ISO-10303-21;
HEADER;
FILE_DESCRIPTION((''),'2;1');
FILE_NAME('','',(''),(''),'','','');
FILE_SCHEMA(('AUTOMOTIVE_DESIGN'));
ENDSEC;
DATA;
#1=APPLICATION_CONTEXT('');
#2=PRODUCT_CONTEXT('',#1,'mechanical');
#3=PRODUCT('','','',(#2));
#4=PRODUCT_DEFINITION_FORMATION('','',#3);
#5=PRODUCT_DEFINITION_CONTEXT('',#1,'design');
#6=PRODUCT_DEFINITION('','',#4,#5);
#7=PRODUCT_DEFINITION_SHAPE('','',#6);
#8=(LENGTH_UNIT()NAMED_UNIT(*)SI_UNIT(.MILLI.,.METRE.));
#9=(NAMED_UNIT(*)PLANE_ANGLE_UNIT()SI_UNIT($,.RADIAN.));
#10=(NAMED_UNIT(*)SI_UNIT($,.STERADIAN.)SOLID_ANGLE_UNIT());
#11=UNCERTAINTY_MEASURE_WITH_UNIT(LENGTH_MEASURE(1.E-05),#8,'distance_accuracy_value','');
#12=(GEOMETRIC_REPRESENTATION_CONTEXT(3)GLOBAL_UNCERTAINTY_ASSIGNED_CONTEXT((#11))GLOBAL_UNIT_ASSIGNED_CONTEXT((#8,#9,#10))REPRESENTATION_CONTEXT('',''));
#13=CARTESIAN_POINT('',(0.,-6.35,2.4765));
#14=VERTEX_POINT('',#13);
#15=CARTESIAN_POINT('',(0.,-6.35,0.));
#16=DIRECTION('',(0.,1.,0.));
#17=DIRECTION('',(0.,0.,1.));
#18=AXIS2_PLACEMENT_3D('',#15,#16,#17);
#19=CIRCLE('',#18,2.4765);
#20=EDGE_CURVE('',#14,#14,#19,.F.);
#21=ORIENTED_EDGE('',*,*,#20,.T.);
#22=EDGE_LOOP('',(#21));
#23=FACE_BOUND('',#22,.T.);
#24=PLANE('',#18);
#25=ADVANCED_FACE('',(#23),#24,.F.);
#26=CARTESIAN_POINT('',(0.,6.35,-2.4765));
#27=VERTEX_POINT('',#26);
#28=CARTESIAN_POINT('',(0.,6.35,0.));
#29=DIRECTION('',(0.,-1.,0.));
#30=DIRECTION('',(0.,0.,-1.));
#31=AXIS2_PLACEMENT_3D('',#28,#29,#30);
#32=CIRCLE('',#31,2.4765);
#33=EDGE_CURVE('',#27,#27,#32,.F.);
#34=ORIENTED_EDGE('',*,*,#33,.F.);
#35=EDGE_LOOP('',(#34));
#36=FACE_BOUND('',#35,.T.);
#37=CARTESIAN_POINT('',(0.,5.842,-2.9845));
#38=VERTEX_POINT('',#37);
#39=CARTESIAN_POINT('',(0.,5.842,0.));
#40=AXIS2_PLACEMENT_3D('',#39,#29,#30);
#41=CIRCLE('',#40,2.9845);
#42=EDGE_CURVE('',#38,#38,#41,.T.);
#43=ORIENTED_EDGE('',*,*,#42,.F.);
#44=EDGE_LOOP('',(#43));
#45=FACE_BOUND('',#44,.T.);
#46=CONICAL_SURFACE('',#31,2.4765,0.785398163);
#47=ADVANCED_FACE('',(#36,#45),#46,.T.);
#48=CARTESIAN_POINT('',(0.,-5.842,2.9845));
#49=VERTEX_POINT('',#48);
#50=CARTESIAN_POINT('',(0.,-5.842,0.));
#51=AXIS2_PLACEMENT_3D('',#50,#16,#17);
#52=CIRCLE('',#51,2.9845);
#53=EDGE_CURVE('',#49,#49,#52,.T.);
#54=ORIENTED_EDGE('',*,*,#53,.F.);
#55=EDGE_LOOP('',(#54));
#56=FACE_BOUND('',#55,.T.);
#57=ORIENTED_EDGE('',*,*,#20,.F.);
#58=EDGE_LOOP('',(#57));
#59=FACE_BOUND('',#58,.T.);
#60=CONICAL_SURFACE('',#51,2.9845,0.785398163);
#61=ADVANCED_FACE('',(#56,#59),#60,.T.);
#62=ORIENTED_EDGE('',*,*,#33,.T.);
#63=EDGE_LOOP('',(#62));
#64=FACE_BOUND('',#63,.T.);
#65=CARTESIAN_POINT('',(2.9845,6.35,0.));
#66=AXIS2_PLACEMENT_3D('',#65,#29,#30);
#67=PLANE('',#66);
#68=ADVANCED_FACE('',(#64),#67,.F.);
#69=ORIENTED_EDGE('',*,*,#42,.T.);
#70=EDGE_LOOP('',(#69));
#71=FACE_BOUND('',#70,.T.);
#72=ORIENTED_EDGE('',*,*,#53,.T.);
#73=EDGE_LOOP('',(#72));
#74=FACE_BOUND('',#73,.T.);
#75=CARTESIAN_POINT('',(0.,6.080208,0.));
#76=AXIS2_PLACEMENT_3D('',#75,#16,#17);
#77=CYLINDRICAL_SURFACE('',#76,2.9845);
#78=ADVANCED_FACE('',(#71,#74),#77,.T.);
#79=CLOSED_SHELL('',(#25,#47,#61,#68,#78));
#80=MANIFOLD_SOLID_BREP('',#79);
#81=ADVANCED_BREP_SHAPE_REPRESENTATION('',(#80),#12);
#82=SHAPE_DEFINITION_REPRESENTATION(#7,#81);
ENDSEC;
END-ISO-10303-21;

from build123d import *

# Parameters (mm, degrees)
SKETCH1_W     = 2.9845
SKETCH1_H     = 12.7
CHAMFER1_SIZE = 0.508


with BuildPart() as part:
    # Sketch1 → Revolve1 (revolve)
    with BuildSketch(Plane.XY):
        with Locations((1.49225, 0)):
            Rectangle(SKETCH1_W, SKETCH1_H)
    revolve(axis=Axis((0, 6.080207887, 0), (0, -1, 0)))

    # Chamfer1
    chamfer1_edges = [part.edges().sort_by_distance(p)[0] for p in [
        (-2.9845, 6.35, 0),
        (-2.9845, -6.35, 0),
    ]]
    chamfer(chamfer1_edges, length=CHAMFER1_SIZE)


solid = part.part
